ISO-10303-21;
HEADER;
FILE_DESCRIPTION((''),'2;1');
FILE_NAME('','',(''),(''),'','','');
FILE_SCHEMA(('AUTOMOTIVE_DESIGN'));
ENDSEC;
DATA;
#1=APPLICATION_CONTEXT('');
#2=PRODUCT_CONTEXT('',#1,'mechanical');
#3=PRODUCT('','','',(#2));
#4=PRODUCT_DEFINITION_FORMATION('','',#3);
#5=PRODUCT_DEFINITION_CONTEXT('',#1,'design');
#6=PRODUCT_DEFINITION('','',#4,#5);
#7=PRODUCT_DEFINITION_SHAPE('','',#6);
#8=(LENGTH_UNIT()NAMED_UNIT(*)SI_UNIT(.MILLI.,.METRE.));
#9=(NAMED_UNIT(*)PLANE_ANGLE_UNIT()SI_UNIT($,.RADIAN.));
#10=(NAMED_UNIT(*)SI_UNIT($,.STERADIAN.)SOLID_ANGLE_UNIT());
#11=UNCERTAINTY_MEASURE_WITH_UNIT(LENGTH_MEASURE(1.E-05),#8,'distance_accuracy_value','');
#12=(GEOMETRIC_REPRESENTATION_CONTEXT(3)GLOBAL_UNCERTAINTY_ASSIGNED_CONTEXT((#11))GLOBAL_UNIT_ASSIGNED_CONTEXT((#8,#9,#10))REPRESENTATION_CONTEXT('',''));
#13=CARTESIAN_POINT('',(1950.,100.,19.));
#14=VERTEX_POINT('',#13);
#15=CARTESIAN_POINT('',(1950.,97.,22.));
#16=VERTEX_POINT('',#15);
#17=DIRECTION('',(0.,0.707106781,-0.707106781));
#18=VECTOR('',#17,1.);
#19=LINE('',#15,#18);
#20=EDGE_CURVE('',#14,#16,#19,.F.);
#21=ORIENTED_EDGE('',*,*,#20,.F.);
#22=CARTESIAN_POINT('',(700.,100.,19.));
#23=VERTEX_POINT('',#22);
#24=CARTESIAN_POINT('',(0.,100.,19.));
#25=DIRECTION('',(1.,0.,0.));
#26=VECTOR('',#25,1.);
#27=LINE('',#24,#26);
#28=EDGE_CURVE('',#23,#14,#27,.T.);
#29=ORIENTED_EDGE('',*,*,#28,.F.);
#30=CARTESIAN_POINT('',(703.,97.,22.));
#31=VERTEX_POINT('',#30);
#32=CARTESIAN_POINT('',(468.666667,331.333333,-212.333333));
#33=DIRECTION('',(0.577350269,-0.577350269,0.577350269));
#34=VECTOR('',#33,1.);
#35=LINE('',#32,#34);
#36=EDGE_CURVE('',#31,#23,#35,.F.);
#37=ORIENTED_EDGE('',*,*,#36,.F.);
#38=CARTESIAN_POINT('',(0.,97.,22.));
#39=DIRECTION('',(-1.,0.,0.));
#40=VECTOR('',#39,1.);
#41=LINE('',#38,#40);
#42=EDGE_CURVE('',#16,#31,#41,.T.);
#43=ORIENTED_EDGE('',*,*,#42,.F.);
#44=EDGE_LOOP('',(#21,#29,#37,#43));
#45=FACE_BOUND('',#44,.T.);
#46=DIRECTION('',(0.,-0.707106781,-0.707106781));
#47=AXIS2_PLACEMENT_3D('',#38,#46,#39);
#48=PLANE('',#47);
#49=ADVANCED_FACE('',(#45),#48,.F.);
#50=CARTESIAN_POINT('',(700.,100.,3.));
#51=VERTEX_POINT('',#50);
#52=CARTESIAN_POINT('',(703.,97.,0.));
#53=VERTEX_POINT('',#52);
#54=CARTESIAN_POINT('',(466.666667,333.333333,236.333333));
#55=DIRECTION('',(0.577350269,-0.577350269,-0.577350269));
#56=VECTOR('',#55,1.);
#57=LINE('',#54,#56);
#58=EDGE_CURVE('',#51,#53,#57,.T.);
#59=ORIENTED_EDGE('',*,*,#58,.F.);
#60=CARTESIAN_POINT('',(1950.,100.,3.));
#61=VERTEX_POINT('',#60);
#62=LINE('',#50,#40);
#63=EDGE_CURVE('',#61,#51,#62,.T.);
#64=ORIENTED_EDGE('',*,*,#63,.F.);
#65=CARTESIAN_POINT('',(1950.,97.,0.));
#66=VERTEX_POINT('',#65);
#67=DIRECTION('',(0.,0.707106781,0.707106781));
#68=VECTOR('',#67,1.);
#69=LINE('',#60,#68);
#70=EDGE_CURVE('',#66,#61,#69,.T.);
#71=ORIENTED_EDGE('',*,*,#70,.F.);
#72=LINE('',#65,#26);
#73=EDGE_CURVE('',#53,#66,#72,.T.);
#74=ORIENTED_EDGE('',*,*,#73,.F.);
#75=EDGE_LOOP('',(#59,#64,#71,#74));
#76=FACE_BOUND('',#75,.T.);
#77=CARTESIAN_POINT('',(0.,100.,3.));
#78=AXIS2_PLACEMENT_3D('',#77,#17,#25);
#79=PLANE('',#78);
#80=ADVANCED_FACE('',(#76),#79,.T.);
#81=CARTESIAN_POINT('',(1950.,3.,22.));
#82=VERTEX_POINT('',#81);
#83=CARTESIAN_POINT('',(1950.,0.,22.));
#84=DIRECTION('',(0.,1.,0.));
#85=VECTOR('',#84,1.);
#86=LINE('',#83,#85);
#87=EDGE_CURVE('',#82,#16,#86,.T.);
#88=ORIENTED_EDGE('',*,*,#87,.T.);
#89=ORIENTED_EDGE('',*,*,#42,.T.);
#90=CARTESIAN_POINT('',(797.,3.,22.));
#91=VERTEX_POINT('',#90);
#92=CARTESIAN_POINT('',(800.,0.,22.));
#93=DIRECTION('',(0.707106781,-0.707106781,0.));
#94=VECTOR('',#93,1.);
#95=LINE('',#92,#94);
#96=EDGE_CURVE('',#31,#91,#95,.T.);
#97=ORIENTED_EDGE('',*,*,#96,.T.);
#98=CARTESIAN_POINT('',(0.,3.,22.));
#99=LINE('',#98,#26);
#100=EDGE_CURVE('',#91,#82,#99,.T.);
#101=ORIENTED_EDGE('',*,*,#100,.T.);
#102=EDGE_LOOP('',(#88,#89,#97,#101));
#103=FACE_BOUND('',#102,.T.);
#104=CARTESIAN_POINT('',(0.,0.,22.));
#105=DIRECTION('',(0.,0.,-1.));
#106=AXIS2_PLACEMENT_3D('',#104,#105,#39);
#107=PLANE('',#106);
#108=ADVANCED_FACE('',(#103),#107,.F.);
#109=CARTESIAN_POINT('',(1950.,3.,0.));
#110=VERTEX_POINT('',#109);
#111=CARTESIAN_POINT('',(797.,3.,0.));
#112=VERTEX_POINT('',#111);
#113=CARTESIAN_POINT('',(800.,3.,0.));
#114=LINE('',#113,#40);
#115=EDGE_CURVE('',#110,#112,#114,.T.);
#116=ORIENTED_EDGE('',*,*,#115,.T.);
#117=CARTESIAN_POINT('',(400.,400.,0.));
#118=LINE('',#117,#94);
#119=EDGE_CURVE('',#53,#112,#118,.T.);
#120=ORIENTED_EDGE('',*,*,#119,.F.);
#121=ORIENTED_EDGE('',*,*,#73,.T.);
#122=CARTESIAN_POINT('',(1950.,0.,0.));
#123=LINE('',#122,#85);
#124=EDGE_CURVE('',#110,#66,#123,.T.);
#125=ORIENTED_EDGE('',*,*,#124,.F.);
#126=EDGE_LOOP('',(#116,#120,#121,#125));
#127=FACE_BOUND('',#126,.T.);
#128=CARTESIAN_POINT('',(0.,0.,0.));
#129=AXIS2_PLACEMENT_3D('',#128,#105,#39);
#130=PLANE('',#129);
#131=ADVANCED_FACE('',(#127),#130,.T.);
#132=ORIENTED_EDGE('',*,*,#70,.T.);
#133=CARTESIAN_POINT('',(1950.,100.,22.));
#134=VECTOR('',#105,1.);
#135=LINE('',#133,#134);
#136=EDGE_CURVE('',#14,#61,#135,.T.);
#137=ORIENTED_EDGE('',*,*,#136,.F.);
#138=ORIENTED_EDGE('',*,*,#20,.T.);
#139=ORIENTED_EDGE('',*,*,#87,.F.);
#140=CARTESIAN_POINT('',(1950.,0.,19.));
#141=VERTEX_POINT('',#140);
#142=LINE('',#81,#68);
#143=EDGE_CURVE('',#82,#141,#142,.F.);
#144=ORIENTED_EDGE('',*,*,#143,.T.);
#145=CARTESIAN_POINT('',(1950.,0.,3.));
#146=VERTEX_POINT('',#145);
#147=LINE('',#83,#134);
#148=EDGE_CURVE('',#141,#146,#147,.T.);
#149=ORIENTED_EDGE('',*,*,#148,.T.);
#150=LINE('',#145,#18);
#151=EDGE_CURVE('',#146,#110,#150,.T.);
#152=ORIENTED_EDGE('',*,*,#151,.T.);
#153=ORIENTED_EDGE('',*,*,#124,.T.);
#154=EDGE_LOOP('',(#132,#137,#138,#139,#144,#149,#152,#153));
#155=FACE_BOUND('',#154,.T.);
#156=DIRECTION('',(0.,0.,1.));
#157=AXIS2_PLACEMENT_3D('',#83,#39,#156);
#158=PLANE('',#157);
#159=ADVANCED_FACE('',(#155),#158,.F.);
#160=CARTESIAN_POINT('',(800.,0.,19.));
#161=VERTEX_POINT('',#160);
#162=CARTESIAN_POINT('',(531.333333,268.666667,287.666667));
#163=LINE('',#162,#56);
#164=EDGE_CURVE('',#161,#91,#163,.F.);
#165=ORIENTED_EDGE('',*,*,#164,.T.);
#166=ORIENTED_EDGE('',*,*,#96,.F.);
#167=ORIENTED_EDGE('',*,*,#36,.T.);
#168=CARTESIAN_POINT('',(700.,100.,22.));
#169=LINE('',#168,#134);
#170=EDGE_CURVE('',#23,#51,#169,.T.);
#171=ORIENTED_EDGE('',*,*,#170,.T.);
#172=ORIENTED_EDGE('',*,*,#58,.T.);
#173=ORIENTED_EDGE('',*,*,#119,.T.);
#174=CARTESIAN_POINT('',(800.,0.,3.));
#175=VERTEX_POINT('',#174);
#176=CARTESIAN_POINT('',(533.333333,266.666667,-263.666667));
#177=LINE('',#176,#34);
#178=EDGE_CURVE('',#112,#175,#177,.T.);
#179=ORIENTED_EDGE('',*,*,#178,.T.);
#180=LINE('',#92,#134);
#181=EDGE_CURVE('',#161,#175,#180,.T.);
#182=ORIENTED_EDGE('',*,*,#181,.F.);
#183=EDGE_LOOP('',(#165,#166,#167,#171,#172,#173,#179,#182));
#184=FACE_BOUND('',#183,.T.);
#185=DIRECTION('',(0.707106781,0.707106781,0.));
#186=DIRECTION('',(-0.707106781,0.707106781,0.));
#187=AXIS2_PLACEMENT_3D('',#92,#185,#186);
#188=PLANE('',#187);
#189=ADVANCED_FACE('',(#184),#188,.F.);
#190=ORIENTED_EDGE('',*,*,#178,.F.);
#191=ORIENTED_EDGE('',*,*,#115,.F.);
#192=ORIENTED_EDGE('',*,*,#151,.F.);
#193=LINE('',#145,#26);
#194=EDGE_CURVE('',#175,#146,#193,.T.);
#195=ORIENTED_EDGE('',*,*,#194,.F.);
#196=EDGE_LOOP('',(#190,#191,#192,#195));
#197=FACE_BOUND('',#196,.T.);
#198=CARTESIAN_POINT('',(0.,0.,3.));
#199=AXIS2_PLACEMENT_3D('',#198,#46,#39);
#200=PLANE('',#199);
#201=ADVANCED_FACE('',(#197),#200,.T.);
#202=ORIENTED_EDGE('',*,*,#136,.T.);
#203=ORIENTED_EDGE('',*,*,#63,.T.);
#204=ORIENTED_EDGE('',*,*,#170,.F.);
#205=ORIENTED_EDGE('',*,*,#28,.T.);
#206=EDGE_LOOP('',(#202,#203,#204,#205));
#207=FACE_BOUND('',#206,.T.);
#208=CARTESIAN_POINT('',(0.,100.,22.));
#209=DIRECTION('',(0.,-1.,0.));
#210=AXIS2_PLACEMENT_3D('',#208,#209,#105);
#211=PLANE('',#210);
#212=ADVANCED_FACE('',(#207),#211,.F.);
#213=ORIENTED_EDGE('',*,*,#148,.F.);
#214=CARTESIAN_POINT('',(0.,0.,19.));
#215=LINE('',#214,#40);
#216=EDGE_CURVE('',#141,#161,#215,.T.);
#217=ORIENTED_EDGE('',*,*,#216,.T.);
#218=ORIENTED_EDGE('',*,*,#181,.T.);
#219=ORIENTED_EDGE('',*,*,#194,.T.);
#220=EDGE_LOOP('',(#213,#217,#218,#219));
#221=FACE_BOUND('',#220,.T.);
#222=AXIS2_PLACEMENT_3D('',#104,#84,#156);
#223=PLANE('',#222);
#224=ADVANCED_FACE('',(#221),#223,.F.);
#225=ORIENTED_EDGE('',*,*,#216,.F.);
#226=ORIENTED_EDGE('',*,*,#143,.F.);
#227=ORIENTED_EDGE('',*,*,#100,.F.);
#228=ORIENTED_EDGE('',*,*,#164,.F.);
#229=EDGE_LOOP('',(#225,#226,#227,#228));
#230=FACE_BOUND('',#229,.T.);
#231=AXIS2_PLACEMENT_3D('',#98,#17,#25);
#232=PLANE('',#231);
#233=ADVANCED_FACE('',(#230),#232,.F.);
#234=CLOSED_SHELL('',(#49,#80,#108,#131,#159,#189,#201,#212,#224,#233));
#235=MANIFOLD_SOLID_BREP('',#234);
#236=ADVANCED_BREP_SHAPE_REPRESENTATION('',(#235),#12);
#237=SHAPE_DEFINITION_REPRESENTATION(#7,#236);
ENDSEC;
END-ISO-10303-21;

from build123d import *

# Parameters (mm, degrees)
ESQUISSE1_W                  = 1950
ESQUISSE1_H                  = 100
BOSS_EXTRU_1_DEPTH           = 22
ENL_V_MAT_EXTRU_1_DEPTH      = 1953.686354743
ENL_V_MAT_EXTRU_1_DEPTH_BACK = 1953.686354743
CHANFREIN1_SIZE              = 3


with BuildPart() as part:
    # Esquisse1 → Boss.-Extru.1 (new body)
    with BuildSketch(Plane.XY):
        with Locations((975, 50)):
            Rectangle(ESQUISSE1_W, ESQUISSE1_H)
    extrude(amount=BOSS_EXTRU_1_DEPTH)

    # Esquisse2 → Enlèv. mat.-Extru.1 (cut, two sides: drawn at the far end of the back side and taken through both)
    with BuildSketch(Plane(origin=(0, 0, 0), x_dir=(-1, 0, 0), z_dir=(0, 0, -1)).offset(-ENL_V_MAT_EXTRU_1_DEPTH_BACK)):
        Polygon((0, 0), (-800, 0), (-700, 100), (0, 100), align=None)
    extrude(amount=ENL_V_MAT_EXTRU_1_DEPTH + ENL_V_MAT_EXTRU_1_DEPTH_BACK, mode=Mode.SUBTRACT)

    # Chanfrein1
    chanfrein1_edges = [part.edges().sort_by_distance(p)[0] for p in [
        (1325, 100, 22),
        (1375, 0, 0),
        (1375, 0, 22),
        (1325, 100, 0),
    ]]
    chamfer(chanfrein1_edges, length=CHANFREIN1_SIZE)


solid = part.part
